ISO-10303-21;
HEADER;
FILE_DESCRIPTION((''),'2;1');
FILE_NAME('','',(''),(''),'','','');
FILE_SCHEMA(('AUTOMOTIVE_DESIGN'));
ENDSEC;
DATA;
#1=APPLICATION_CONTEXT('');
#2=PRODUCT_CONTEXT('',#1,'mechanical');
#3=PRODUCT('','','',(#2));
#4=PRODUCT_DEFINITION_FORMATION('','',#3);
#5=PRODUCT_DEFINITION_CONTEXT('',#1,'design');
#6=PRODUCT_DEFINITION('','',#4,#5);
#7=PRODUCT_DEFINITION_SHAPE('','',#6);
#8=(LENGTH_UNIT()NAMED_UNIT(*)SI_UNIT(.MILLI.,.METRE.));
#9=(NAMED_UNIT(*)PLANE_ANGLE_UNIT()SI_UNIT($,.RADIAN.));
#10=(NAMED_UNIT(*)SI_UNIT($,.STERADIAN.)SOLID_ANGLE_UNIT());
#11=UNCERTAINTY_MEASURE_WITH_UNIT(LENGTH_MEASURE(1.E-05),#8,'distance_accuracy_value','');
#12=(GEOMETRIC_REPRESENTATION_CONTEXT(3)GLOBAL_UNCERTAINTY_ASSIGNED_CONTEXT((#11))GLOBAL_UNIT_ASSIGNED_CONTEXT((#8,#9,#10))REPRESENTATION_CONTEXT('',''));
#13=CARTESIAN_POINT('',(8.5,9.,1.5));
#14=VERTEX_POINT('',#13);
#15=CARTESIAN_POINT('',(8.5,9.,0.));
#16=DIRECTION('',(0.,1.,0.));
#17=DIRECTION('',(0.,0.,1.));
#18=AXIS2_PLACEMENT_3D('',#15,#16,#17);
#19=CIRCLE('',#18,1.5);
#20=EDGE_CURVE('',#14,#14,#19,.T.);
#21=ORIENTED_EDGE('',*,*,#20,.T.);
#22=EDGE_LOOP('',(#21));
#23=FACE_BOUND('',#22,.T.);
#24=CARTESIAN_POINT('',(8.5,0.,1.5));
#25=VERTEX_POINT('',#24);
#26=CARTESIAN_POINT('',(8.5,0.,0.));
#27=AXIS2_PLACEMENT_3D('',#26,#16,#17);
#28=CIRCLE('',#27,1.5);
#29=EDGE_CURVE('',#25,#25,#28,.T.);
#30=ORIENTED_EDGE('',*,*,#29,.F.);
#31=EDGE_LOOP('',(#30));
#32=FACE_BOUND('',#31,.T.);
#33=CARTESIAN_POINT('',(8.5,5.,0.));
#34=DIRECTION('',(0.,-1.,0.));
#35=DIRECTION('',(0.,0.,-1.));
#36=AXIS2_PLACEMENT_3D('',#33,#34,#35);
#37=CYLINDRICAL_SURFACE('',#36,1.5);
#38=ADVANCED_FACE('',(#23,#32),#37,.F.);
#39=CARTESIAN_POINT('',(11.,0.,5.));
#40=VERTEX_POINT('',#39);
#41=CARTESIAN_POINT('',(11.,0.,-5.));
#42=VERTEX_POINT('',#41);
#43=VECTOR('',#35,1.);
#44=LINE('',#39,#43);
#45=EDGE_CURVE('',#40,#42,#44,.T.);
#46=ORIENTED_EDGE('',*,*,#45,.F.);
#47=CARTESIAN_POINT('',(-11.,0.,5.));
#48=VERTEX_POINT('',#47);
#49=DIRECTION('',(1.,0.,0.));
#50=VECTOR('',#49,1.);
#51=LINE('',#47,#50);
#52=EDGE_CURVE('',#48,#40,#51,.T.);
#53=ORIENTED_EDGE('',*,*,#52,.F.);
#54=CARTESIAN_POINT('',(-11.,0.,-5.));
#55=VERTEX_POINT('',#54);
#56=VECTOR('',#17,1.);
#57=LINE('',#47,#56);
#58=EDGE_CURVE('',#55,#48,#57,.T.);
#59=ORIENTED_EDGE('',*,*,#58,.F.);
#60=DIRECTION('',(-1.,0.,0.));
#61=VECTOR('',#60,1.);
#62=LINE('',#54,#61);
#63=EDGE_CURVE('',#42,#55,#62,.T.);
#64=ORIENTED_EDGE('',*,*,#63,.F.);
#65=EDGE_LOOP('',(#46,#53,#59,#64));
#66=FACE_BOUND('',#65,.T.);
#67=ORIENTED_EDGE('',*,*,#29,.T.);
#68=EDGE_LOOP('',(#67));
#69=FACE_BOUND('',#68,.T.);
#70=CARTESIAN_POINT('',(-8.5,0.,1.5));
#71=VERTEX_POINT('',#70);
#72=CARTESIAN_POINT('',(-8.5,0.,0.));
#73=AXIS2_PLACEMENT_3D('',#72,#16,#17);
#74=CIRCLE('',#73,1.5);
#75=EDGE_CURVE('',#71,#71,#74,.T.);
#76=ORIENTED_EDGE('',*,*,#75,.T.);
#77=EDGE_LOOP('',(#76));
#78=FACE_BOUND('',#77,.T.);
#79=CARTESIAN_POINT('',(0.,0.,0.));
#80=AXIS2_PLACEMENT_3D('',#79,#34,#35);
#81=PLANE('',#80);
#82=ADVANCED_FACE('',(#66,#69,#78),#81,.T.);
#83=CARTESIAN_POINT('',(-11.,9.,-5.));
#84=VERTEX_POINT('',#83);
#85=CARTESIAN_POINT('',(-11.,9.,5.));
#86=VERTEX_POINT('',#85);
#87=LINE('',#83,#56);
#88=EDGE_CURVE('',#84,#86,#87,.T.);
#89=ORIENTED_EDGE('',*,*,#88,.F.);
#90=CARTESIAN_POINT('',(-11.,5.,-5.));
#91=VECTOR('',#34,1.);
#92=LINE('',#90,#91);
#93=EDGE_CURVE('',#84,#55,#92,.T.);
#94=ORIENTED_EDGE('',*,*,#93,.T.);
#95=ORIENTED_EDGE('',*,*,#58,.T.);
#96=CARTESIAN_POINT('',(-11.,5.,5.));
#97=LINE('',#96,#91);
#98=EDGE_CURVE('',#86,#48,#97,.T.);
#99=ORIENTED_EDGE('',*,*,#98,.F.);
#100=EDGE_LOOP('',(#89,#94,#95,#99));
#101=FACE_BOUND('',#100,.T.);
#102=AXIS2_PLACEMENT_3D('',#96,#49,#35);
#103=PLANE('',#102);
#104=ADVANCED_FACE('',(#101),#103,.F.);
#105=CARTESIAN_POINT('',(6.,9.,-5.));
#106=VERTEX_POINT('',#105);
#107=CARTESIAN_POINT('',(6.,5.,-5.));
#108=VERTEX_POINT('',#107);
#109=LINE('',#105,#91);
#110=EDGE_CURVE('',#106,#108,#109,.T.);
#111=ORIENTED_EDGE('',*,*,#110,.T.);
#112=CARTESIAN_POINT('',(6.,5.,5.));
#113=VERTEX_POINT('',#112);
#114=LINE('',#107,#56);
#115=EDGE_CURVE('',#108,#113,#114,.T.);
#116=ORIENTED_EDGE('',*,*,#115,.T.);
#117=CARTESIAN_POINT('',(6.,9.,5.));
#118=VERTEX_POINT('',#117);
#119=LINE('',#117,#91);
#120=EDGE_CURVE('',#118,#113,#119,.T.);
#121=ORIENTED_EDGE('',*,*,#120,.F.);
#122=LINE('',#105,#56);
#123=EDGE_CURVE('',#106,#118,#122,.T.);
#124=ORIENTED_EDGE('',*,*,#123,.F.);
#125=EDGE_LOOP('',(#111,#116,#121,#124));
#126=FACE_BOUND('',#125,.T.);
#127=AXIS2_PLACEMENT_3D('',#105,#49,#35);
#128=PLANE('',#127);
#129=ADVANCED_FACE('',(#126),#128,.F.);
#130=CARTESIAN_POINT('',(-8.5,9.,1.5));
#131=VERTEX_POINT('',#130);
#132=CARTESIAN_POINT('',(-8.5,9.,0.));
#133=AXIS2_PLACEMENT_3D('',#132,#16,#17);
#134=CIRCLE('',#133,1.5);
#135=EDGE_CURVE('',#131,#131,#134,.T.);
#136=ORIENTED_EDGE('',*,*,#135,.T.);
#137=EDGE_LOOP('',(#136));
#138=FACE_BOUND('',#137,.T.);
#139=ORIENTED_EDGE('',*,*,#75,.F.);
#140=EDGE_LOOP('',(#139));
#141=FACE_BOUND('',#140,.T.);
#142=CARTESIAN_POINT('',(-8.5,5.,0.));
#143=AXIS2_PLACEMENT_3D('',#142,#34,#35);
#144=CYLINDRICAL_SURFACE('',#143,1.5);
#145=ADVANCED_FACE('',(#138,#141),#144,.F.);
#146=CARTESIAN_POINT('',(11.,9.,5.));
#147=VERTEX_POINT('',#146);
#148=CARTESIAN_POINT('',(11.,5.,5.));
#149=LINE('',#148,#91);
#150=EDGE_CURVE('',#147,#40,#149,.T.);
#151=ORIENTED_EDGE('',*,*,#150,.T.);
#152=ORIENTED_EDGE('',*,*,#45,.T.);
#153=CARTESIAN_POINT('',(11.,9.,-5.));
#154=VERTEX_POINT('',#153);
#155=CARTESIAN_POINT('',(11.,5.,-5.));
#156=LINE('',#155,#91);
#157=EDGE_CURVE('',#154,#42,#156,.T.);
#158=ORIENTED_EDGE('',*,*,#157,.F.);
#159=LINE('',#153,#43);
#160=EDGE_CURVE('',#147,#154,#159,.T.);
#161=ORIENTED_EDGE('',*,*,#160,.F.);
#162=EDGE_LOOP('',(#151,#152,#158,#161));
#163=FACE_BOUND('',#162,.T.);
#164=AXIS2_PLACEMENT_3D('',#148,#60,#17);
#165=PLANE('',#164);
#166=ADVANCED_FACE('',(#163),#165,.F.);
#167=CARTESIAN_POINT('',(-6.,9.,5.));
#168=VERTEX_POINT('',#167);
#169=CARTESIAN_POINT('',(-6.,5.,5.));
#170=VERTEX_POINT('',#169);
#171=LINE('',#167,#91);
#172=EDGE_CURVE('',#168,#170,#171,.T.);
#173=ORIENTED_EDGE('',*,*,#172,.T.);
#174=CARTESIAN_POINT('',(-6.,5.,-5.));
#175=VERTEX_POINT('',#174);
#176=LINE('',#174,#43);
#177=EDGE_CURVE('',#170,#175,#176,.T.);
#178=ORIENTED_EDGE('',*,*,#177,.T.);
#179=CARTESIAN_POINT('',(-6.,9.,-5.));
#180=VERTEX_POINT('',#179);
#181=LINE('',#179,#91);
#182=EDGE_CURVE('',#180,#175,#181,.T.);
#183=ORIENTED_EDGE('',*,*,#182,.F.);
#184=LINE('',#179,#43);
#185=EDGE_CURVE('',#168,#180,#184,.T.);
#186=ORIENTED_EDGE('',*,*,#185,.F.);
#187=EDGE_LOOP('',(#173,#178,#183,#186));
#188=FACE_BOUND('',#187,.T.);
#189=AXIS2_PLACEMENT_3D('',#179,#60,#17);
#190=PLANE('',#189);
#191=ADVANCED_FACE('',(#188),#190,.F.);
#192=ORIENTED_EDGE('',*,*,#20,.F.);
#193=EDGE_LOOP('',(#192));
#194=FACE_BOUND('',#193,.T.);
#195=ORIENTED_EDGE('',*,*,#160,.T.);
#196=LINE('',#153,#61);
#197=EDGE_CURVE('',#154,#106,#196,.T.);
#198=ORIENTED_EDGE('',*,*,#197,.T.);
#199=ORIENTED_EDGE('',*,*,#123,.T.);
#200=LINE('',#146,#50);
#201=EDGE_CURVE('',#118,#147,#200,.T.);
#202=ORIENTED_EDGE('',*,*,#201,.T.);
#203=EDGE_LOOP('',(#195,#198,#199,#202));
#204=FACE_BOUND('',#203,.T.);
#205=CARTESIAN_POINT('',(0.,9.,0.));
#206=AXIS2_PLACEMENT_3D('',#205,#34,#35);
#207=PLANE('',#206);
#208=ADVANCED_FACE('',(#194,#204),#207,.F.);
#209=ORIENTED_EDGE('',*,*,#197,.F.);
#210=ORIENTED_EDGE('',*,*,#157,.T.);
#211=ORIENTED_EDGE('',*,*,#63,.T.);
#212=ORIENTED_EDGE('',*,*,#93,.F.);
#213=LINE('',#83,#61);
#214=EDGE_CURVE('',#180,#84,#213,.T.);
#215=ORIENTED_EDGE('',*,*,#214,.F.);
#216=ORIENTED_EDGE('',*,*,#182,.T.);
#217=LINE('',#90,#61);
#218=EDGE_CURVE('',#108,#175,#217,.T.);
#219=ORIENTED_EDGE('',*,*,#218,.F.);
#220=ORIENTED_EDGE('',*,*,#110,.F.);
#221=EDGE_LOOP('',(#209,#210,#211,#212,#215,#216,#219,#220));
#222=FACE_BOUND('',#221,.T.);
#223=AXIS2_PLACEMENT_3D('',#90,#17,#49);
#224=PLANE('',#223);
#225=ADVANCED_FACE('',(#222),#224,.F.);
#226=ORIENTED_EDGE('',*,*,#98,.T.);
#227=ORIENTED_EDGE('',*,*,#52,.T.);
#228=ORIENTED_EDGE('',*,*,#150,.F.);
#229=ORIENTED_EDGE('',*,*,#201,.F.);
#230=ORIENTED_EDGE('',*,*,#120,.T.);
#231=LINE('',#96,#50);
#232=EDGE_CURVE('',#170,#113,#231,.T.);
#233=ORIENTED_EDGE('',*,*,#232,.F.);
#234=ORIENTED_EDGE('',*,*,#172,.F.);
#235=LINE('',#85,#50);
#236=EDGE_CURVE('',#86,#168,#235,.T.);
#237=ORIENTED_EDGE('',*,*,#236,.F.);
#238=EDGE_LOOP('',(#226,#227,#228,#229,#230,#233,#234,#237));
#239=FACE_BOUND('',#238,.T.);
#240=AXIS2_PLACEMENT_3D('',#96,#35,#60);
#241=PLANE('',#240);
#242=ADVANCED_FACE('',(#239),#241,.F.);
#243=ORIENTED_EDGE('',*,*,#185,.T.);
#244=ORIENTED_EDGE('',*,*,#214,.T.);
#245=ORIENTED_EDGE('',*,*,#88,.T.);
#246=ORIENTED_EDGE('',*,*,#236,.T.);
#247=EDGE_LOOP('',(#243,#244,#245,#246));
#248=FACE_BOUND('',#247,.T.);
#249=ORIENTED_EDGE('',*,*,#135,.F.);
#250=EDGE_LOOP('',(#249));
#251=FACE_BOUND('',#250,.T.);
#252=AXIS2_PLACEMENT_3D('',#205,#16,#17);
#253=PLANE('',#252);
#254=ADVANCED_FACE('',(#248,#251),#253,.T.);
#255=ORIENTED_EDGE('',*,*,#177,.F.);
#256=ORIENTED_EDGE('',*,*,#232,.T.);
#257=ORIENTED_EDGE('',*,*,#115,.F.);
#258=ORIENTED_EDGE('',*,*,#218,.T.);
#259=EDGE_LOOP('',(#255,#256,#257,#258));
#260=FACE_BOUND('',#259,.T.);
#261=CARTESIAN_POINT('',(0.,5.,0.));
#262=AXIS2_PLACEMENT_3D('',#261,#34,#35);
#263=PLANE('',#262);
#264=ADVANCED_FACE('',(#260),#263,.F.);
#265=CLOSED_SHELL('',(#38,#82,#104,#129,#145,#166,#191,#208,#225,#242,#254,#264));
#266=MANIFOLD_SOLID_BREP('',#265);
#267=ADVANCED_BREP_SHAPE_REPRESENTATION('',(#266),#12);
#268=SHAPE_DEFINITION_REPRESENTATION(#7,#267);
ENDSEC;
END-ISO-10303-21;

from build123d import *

# Parameters (mm, degrees)
SKETCH_1_W      = 22
SKETCH_1_H      = 10
SKETCH_1_R      = 1.5
EXTRUDE_1_DEPTH = 5
SKETCH_2_W      = 5
SKETCH_2_H      = 10
SKETCH_2_R      = 1.5
EXTRUDE_2_DEPTH = 4


with BuildPart() as part:
    # 草圖1 → 填料-伸長1 (new body)
    with BuildSketch(Plane(origin=(0, 0, 0), x_dir=(1, 0, 0), z_dir=(0, 1, 0))):
        Rectangle(SKETCH_1_W, SKETCH_1_H)
        with Locations((-8.5, 0)):
            Circle(SKETCH_1_R, mode=Mode.SUBTRACT)
        with Locations((8.5, 0)):
            Circle(SKETCH_1_R, mode=Mode.SUBTRACT)
    extrude(amount=EXTRUDE_1_DEPTH)

    # 草圖2 → 填料-伸長2 (add)
    with BuildSketch(Plane(origin=(0, 5, 0), x_dir=(1, 0, 0), z_dir=(0, 1, 0))):
        with Locations((-8.5, 0)):
            Rectangle(SKETCH_2_W, SKETCH_2_H)
        with Locations((-8.5, 0)):
            Circle(SKETCH_2_R, mode=Mode.SUBTRACT)
        with Locations((8.5, 0)):
            Rectangle(SKETCH_2_W, SKETCH_2_H)
        with Locations((8.5, 0)):
            Circle(SKETCH_2_R, mode=Mode.SUBTRACT)
    extrude(amount=EXTRUDE_2_DEPTH)


solid = part.part
